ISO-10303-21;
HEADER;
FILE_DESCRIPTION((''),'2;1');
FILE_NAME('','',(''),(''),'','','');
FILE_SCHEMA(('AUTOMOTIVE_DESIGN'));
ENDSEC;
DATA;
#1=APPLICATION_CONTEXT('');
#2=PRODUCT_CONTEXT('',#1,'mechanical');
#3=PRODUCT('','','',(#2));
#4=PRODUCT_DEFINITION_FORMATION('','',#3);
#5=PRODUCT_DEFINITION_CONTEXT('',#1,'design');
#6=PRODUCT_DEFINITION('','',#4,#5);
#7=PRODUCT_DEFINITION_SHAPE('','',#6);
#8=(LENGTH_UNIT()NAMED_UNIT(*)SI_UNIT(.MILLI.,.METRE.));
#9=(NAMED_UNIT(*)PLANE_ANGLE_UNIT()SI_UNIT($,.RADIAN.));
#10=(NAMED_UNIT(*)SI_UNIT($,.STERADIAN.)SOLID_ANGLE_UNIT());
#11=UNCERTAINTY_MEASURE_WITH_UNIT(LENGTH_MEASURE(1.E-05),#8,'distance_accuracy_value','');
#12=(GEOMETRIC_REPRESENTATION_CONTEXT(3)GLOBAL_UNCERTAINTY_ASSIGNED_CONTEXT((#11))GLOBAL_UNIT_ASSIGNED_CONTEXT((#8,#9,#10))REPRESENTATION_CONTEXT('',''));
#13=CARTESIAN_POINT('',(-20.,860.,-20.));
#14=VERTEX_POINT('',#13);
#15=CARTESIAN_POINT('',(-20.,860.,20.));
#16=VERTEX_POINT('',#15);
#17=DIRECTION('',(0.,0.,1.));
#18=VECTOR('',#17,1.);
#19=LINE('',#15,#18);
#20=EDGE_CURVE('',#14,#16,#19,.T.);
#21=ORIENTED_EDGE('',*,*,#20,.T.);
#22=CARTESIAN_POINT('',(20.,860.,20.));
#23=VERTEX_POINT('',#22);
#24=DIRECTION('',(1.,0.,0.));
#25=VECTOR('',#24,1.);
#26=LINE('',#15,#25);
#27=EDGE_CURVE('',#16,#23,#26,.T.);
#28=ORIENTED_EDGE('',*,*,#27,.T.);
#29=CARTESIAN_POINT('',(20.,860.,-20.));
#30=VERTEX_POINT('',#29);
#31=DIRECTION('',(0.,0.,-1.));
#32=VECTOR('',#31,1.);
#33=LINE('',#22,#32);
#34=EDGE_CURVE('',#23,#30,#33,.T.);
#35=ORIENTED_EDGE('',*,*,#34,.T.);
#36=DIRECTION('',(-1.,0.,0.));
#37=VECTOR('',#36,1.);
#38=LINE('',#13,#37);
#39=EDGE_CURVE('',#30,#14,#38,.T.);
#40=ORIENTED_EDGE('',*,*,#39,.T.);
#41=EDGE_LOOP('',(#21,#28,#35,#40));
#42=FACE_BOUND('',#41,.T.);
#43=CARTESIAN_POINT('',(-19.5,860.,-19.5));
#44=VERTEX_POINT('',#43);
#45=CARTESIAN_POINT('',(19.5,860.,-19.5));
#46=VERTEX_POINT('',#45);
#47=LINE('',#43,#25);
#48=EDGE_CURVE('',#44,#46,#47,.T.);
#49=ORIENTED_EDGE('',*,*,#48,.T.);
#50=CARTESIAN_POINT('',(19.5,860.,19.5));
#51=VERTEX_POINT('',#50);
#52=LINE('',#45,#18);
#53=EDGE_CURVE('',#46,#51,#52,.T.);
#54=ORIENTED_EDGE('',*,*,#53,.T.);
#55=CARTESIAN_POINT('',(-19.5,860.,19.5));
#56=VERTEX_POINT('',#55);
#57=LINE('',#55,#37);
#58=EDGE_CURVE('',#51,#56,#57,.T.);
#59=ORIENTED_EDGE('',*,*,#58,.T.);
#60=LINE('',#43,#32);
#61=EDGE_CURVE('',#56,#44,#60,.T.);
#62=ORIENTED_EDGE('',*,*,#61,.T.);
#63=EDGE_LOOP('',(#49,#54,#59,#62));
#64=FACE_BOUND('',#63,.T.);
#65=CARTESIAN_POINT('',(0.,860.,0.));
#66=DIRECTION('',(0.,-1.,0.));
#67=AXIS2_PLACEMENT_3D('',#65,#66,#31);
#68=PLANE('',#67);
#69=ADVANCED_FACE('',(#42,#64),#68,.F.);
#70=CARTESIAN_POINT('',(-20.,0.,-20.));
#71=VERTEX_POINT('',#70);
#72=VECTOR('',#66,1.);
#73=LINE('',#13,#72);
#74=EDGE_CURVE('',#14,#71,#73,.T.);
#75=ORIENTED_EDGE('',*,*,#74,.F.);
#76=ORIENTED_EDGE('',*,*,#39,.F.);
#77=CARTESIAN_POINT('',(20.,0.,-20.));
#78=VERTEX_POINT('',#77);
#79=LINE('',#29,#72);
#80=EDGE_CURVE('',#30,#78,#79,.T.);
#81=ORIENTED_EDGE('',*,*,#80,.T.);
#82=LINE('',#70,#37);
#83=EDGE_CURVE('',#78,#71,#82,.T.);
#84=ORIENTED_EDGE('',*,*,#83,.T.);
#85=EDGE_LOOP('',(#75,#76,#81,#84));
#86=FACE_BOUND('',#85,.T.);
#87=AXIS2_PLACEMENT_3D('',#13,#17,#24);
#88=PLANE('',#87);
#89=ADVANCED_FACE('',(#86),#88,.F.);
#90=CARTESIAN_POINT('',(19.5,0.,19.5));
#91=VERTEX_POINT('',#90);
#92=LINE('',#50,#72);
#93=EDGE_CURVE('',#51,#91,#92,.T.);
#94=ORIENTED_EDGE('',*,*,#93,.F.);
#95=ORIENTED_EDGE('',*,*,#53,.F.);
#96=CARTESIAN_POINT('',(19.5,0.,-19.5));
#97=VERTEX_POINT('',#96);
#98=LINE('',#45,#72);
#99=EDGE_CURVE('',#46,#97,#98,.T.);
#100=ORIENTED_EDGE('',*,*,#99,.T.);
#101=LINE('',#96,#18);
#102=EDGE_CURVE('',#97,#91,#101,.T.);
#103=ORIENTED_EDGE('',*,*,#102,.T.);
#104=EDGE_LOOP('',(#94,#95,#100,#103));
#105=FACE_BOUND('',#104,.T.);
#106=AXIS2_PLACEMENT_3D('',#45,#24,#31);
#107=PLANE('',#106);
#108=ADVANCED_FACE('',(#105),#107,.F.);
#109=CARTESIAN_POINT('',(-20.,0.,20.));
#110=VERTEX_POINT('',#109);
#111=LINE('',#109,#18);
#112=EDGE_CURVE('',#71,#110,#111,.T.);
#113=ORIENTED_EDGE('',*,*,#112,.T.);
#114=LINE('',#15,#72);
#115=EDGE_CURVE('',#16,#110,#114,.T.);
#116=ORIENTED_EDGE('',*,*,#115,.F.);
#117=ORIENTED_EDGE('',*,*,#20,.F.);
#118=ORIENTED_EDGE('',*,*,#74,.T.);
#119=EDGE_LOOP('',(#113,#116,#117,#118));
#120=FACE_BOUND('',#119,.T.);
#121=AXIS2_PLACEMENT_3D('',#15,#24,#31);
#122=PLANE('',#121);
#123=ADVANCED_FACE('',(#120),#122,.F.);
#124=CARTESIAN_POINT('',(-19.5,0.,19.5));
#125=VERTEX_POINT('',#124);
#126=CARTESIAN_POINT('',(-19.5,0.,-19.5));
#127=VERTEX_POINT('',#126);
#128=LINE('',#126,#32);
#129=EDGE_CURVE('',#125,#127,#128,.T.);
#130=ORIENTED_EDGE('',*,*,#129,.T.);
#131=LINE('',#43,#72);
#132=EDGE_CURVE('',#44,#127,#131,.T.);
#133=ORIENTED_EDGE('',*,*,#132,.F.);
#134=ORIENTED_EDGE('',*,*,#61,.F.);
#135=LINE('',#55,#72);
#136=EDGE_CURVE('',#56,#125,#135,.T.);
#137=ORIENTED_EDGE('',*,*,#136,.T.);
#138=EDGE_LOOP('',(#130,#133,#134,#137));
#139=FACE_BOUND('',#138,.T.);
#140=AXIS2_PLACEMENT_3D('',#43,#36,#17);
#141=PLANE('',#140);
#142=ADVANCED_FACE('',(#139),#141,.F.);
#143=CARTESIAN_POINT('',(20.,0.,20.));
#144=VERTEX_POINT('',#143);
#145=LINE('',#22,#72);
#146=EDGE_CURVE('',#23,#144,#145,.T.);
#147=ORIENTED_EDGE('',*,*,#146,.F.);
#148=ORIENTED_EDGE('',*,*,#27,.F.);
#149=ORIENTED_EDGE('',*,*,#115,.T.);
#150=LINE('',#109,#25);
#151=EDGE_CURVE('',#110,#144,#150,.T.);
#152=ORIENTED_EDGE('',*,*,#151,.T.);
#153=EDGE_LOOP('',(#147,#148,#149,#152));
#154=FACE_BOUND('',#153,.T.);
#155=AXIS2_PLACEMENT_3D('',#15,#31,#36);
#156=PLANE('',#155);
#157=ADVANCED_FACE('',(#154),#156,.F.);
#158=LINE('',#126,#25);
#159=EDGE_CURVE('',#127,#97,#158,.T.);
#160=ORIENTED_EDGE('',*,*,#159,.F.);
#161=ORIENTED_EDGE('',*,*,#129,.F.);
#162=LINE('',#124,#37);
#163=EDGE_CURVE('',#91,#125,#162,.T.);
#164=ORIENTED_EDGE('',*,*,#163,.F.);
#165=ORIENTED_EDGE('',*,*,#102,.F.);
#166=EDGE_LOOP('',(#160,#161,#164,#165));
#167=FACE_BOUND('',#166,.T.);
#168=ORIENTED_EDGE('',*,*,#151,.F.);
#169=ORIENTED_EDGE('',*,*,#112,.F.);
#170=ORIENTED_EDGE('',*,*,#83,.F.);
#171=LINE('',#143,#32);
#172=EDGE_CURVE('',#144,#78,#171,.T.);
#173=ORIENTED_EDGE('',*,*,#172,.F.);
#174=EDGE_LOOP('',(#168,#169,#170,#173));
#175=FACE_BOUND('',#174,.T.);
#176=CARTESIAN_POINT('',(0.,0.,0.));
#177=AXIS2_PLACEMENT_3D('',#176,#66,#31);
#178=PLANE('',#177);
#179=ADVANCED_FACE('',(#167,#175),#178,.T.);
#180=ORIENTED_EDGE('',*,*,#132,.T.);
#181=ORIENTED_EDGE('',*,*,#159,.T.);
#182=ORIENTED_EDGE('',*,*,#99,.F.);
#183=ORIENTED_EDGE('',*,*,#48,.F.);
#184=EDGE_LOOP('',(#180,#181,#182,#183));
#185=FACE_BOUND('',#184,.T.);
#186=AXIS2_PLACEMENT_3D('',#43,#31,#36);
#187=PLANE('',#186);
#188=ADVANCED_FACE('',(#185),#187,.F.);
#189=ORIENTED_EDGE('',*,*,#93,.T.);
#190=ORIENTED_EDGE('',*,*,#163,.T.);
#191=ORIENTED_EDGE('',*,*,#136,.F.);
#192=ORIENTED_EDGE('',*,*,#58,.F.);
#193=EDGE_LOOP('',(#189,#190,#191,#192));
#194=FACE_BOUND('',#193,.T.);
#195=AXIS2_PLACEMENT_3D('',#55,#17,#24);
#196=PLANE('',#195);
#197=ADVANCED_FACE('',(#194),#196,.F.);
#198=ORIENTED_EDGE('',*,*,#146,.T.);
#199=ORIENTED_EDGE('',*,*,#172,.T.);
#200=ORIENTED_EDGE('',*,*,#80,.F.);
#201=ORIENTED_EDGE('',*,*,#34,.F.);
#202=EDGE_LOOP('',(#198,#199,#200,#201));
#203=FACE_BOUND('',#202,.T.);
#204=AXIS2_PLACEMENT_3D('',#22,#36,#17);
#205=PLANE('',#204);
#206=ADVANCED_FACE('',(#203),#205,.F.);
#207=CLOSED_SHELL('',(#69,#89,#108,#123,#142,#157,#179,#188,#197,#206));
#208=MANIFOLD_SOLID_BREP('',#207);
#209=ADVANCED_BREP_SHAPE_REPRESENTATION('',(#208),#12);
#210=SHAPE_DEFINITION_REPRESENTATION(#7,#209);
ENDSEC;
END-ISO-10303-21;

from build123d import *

# Parameters (mm, degrees)
SKETCH1_W           = 40
SKETCH1_H           = 40
BOSS_EXTRUDE2_DEPTH = 860
SKETCH2_W           = 39
SKETCH2_H           = 39
CUT_EXTRUDE1_DEPTH  = 861.464990572


with BuildPart() as part:
    # Sketch1 → Boss-Extrude2 (new body)
    with BuildSketch(Plane(origin=(0, 0, 0), x_dir=(1, 0, 0), z_dir=(0, 1, 0))):
        Rectangle(SKETCH1_W, SKETCH1_H)
    extrude(amount=BOSS_EXTRUDE2_DEPTH)

    # Sketch2 → Cut-Extrude1 (cut, through all)
    with BuildSketch(Plane.XZ):
        Rectangle(SKETCH2_W, SKETCH2_H)
    extrude(amount=-CUT_EXTRUDE1_DEPTH, mode=Mode.SUBTRACT)


solid = part.part
